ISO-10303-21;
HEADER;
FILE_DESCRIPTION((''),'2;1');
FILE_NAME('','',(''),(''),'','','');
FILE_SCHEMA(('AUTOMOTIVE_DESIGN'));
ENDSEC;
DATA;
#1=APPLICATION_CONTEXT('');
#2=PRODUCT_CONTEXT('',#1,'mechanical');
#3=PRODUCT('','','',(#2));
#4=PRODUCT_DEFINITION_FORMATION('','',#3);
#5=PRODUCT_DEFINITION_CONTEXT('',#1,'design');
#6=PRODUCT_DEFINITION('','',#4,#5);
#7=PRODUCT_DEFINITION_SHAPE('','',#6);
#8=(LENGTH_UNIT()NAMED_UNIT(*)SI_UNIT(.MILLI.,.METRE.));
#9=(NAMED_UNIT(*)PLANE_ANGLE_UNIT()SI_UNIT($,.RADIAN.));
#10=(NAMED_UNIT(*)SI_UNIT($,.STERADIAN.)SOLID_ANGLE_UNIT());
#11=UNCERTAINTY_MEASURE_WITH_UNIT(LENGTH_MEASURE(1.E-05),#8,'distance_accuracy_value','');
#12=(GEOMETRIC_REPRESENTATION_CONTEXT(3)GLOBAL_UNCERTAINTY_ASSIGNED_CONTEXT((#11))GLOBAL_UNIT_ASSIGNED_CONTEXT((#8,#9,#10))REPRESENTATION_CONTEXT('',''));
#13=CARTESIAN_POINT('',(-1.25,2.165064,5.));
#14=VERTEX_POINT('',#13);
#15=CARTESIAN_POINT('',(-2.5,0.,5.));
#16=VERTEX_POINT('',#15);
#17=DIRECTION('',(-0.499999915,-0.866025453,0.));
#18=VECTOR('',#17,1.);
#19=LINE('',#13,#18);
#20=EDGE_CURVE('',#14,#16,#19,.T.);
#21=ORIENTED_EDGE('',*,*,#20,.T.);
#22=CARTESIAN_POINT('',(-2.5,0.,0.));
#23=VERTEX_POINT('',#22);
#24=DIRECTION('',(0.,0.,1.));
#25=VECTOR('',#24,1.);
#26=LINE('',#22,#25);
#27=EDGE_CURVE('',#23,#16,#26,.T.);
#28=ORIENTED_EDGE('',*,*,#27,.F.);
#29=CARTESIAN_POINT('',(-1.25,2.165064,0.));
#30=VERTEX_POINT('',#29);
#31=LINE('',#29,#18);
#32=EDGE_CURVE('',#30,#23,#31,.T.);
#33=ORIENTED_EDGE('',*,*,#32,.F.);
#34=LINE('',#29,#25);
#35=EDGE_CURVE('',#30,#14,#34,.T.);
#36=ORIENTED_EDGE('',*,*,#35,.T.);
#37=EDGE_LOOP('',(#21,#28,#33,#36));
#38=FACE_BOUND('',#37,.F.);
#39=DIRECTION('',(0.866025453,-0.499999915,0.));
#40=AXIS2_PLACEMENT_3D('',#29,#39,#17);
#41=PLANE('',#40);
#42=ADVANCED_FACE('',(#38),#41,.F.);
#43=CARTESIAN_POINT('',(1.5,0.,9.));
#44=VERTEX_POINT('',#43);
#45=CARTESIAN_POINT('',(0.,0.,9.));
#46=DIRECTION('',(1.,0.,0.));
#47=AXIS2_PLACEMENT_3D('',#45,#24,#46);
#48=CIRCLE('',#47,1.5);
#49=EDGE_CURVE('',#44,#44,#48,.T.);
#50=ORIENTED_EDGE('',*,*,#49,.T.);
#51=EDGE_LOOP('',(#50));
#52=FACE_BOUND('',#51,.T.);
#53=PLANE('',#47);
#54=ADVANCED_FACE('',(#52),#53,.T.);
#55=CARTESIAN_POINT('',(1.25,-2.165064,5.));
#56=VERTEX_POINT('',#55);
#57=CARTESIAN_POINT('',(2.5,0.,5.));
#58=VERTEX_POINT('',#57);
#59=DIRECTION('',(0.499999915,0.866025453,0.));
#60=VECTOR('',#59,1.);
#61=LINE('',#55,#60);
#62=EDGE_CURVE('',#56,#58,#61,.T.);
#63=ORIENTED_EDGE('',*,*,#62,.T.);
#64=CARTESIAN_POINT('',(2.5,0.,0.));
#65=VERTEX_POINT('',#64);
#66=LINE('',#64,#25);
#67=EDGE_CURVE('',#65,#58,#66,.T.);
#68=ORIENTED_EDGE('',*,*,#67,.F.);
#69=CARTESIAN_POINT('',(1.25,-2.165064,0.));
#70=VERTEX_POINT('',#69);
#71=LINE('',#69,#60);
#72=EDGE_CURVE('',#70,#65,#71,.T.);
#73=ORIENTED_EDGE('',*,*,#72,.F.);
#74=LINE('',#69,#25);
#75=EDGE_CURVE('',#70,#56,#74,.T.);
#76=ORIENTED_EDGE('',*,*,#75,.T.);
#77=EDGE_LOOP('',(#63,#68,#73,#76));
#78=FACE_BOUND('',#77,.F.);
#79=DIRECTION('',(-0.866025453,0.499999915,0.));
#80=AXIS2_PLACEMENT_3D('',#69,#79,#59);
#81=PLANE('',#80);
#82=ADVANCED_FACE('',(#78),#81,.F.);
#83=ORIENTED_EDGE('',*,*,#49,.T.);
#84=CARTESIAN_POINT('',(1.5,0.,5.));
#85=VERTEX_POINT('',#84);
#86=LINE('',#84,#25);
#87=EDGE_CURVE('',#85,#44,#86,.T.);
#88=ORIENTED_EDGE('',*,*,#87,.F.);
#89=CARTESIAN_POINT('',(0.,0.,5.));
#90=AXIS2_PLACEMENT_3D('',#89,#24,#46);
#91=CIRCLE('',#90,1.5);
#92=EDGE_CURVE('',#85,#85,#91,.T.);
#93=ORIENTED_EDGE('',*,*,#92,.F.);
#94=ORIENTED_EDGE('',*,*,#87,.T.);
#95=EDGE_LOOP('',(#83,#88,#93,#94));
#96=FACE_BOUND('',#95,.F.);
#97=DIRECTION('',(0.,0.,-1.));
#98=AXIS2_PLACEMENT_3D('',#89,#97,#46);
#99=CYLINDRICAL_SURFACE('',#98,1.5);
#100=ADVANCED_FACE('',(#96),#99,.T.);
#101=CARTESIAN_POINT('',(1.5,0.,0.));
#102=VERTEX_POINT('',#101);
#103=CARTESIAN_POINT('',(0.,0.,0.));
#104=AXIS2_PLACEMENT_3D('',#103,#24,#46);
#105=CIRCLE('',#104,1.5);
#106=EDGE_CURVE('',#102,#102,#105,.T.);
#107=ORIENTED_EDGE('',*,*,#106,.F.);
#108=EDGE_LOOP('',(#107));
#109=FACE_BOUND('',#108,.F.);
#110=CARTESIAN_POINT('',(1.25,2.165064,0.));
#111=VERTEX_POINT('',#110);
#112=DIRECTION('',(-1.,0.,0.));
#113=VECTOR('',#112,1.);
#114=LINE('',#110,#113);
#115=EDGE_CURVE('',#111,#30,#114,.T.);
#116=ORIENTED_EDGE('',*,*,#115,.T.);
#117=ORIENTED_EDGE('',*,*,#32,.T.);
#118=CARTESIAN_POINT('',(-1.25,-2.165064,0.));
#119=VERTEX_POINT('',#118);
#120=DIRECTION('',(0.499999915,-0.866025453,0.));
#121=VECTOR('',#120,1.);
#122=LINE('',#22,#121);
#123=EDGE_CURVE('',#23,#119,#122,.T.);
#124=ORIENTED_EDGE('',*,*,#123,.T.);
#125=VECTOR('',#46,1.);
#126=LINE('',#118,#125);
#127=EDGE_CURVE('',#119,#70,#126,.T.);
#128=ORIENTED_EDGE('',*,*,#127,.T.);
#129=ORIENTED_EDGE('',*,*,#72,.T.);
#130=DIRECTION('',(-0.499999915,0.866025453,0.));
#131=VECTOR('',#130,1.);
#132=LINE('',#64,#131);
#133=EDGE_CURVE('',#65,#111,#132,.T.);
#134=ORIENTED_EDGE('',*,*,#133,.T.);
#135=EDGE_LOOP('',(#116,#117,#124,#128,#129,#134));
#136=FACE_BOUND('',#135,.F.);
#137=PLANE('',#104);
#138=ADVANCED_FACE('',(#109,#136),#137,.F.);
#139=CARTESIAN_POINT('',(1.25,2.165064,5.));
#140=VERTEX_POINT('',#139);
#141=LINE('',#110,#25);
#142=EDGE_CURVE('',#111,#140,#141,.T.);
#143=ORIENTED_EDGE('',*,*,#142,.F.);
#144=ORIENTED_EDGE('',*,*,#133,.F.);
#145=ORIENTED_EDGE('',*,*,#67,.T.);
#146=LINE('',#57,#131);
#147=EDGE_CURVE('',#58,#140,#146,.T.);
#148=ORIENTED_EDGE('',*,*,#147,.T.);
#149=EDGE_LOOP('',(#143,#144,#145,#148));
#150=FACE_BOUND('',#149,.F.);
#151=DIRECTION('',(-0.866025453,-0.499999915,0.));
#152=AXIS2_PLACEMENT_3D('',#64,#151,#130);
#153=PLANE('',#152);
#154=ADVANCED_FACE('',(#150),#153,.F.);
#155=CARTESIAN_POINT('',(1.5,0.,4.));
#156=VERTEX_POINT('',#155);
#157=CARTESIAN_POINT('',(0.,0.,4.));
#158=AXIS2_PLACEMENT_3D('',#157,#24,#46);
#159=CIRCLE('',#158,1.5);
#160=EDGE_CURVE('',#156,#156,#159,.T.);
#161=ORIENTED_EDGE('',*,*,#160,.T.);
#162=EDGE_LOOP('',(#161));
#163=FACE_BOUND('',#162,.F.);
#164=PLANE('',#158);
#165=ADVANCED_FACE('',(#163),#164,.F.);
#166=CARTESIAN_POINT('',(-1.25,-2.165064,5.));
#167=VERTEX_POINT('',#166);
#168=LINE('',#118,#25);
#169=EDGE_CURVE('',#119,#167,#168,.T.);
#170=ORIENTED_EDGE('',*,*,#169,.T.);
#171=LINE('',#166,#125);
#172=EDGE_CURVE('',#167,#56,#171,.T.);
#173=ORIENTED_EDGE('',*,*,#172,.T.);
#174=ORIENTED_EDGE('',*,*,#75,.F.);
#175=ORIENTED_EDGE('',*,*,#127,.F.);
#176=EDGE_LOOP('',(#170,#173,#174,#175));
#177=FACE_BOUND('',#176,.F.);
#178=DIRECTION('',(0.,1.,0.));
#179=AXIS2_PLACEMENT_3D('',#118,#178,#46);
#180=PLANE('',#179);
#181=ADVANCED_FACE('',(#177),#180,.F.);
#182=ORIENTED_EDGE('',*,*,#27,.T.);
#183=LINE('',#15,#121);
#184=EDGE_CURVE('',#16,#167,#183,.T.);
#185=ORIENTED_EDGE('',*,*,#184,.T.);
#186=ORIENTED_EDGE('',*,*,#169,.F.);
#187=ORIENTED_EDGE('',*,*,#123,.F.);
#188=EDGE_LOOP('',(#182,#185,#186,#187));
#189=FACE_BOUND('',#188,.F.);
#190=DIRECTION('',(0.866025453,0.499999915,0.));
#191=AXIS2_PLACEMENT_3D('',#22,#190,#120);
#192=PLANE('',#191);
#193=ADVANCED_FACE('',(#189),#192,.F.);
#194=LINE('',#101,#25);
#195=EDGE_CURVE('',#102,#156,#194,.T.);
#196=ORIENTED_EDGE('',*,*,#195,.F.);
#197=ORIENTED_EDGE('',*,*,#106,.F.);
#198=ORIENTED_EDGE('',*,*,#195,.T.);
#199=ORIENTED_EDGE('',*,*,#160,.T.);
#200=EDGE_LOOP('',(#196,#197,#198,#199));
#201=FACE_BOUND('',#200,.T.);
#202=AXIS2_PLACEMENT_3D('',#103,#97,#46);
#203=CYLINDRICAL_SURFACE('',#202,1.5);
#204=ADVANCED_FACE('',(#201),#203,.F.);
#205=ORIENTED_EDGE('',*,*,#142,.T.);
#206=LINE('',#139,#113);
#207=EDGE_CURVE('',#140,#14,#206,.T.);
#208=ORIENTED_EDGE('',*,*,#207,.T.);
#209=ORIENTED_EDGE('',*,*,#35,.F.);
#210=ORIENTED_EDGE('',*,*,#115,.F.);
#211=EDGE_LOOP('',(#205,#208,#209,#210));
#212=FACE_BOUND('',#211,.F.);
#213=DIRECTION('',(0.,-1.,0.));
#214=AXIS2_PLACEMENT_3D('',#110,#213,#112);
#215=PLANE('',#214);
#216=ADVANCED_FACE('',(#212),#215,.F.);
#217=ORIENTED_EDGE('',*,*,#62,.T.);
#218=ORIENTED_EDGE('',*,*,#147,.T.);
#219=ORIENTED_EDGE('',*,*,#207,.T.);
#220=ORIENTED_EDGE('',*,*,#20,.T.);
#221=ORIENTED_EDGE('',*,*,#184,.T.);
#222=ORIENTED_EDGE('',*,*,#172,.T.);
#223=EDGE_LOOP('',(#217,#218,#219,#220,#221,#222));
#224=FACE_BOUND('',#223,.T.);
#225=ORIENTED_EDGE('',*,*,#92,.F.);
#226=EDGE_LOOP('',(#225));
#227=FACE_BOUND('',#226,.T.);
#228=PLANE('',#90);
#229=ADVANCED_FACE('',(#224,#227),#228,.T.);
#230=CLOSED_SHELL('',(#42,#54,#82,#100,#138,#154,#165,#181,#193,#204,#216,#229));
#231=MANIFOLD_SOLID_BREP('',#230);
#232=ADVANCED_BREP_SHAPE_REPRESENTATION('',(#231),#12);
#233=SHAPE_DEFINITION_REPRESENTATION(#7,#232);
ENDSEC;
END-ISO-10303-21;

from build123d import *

# Parameters (mm, degrees)
F1_DEPTH = 5
F2_R     = 1.5
F3_DEPTH = 4
F4_R     = 1.5
F5_DEPTH = 4


with BuildPart() as f1:
    # F0 (on Top) → F1 (new body)
    with BuildSketch(Plane.XY):
        Polygon((1.25, -2.165064), (2.5, 0), (1.25, 2.165064), (-1.25, 2.165064), (-2.5, 0), (-1.25, -2.165064), align=None)
    extrude(amount=F1_DEPTH)

    # F2 (on face) → F3 (join)
    with BuildSketch(Plane.XY.offset(5)):
        Circle(F2_R)
    extrude(amount=F3_DEPTH)

    # F4 (on face) → F5 (cut)
    with BuildSketch(Plane.XY):
        Circle(F4_R)
    extrude(amount=F5_DEPTH, mode=Mode.SUBTRACT)


solid = f1.part
